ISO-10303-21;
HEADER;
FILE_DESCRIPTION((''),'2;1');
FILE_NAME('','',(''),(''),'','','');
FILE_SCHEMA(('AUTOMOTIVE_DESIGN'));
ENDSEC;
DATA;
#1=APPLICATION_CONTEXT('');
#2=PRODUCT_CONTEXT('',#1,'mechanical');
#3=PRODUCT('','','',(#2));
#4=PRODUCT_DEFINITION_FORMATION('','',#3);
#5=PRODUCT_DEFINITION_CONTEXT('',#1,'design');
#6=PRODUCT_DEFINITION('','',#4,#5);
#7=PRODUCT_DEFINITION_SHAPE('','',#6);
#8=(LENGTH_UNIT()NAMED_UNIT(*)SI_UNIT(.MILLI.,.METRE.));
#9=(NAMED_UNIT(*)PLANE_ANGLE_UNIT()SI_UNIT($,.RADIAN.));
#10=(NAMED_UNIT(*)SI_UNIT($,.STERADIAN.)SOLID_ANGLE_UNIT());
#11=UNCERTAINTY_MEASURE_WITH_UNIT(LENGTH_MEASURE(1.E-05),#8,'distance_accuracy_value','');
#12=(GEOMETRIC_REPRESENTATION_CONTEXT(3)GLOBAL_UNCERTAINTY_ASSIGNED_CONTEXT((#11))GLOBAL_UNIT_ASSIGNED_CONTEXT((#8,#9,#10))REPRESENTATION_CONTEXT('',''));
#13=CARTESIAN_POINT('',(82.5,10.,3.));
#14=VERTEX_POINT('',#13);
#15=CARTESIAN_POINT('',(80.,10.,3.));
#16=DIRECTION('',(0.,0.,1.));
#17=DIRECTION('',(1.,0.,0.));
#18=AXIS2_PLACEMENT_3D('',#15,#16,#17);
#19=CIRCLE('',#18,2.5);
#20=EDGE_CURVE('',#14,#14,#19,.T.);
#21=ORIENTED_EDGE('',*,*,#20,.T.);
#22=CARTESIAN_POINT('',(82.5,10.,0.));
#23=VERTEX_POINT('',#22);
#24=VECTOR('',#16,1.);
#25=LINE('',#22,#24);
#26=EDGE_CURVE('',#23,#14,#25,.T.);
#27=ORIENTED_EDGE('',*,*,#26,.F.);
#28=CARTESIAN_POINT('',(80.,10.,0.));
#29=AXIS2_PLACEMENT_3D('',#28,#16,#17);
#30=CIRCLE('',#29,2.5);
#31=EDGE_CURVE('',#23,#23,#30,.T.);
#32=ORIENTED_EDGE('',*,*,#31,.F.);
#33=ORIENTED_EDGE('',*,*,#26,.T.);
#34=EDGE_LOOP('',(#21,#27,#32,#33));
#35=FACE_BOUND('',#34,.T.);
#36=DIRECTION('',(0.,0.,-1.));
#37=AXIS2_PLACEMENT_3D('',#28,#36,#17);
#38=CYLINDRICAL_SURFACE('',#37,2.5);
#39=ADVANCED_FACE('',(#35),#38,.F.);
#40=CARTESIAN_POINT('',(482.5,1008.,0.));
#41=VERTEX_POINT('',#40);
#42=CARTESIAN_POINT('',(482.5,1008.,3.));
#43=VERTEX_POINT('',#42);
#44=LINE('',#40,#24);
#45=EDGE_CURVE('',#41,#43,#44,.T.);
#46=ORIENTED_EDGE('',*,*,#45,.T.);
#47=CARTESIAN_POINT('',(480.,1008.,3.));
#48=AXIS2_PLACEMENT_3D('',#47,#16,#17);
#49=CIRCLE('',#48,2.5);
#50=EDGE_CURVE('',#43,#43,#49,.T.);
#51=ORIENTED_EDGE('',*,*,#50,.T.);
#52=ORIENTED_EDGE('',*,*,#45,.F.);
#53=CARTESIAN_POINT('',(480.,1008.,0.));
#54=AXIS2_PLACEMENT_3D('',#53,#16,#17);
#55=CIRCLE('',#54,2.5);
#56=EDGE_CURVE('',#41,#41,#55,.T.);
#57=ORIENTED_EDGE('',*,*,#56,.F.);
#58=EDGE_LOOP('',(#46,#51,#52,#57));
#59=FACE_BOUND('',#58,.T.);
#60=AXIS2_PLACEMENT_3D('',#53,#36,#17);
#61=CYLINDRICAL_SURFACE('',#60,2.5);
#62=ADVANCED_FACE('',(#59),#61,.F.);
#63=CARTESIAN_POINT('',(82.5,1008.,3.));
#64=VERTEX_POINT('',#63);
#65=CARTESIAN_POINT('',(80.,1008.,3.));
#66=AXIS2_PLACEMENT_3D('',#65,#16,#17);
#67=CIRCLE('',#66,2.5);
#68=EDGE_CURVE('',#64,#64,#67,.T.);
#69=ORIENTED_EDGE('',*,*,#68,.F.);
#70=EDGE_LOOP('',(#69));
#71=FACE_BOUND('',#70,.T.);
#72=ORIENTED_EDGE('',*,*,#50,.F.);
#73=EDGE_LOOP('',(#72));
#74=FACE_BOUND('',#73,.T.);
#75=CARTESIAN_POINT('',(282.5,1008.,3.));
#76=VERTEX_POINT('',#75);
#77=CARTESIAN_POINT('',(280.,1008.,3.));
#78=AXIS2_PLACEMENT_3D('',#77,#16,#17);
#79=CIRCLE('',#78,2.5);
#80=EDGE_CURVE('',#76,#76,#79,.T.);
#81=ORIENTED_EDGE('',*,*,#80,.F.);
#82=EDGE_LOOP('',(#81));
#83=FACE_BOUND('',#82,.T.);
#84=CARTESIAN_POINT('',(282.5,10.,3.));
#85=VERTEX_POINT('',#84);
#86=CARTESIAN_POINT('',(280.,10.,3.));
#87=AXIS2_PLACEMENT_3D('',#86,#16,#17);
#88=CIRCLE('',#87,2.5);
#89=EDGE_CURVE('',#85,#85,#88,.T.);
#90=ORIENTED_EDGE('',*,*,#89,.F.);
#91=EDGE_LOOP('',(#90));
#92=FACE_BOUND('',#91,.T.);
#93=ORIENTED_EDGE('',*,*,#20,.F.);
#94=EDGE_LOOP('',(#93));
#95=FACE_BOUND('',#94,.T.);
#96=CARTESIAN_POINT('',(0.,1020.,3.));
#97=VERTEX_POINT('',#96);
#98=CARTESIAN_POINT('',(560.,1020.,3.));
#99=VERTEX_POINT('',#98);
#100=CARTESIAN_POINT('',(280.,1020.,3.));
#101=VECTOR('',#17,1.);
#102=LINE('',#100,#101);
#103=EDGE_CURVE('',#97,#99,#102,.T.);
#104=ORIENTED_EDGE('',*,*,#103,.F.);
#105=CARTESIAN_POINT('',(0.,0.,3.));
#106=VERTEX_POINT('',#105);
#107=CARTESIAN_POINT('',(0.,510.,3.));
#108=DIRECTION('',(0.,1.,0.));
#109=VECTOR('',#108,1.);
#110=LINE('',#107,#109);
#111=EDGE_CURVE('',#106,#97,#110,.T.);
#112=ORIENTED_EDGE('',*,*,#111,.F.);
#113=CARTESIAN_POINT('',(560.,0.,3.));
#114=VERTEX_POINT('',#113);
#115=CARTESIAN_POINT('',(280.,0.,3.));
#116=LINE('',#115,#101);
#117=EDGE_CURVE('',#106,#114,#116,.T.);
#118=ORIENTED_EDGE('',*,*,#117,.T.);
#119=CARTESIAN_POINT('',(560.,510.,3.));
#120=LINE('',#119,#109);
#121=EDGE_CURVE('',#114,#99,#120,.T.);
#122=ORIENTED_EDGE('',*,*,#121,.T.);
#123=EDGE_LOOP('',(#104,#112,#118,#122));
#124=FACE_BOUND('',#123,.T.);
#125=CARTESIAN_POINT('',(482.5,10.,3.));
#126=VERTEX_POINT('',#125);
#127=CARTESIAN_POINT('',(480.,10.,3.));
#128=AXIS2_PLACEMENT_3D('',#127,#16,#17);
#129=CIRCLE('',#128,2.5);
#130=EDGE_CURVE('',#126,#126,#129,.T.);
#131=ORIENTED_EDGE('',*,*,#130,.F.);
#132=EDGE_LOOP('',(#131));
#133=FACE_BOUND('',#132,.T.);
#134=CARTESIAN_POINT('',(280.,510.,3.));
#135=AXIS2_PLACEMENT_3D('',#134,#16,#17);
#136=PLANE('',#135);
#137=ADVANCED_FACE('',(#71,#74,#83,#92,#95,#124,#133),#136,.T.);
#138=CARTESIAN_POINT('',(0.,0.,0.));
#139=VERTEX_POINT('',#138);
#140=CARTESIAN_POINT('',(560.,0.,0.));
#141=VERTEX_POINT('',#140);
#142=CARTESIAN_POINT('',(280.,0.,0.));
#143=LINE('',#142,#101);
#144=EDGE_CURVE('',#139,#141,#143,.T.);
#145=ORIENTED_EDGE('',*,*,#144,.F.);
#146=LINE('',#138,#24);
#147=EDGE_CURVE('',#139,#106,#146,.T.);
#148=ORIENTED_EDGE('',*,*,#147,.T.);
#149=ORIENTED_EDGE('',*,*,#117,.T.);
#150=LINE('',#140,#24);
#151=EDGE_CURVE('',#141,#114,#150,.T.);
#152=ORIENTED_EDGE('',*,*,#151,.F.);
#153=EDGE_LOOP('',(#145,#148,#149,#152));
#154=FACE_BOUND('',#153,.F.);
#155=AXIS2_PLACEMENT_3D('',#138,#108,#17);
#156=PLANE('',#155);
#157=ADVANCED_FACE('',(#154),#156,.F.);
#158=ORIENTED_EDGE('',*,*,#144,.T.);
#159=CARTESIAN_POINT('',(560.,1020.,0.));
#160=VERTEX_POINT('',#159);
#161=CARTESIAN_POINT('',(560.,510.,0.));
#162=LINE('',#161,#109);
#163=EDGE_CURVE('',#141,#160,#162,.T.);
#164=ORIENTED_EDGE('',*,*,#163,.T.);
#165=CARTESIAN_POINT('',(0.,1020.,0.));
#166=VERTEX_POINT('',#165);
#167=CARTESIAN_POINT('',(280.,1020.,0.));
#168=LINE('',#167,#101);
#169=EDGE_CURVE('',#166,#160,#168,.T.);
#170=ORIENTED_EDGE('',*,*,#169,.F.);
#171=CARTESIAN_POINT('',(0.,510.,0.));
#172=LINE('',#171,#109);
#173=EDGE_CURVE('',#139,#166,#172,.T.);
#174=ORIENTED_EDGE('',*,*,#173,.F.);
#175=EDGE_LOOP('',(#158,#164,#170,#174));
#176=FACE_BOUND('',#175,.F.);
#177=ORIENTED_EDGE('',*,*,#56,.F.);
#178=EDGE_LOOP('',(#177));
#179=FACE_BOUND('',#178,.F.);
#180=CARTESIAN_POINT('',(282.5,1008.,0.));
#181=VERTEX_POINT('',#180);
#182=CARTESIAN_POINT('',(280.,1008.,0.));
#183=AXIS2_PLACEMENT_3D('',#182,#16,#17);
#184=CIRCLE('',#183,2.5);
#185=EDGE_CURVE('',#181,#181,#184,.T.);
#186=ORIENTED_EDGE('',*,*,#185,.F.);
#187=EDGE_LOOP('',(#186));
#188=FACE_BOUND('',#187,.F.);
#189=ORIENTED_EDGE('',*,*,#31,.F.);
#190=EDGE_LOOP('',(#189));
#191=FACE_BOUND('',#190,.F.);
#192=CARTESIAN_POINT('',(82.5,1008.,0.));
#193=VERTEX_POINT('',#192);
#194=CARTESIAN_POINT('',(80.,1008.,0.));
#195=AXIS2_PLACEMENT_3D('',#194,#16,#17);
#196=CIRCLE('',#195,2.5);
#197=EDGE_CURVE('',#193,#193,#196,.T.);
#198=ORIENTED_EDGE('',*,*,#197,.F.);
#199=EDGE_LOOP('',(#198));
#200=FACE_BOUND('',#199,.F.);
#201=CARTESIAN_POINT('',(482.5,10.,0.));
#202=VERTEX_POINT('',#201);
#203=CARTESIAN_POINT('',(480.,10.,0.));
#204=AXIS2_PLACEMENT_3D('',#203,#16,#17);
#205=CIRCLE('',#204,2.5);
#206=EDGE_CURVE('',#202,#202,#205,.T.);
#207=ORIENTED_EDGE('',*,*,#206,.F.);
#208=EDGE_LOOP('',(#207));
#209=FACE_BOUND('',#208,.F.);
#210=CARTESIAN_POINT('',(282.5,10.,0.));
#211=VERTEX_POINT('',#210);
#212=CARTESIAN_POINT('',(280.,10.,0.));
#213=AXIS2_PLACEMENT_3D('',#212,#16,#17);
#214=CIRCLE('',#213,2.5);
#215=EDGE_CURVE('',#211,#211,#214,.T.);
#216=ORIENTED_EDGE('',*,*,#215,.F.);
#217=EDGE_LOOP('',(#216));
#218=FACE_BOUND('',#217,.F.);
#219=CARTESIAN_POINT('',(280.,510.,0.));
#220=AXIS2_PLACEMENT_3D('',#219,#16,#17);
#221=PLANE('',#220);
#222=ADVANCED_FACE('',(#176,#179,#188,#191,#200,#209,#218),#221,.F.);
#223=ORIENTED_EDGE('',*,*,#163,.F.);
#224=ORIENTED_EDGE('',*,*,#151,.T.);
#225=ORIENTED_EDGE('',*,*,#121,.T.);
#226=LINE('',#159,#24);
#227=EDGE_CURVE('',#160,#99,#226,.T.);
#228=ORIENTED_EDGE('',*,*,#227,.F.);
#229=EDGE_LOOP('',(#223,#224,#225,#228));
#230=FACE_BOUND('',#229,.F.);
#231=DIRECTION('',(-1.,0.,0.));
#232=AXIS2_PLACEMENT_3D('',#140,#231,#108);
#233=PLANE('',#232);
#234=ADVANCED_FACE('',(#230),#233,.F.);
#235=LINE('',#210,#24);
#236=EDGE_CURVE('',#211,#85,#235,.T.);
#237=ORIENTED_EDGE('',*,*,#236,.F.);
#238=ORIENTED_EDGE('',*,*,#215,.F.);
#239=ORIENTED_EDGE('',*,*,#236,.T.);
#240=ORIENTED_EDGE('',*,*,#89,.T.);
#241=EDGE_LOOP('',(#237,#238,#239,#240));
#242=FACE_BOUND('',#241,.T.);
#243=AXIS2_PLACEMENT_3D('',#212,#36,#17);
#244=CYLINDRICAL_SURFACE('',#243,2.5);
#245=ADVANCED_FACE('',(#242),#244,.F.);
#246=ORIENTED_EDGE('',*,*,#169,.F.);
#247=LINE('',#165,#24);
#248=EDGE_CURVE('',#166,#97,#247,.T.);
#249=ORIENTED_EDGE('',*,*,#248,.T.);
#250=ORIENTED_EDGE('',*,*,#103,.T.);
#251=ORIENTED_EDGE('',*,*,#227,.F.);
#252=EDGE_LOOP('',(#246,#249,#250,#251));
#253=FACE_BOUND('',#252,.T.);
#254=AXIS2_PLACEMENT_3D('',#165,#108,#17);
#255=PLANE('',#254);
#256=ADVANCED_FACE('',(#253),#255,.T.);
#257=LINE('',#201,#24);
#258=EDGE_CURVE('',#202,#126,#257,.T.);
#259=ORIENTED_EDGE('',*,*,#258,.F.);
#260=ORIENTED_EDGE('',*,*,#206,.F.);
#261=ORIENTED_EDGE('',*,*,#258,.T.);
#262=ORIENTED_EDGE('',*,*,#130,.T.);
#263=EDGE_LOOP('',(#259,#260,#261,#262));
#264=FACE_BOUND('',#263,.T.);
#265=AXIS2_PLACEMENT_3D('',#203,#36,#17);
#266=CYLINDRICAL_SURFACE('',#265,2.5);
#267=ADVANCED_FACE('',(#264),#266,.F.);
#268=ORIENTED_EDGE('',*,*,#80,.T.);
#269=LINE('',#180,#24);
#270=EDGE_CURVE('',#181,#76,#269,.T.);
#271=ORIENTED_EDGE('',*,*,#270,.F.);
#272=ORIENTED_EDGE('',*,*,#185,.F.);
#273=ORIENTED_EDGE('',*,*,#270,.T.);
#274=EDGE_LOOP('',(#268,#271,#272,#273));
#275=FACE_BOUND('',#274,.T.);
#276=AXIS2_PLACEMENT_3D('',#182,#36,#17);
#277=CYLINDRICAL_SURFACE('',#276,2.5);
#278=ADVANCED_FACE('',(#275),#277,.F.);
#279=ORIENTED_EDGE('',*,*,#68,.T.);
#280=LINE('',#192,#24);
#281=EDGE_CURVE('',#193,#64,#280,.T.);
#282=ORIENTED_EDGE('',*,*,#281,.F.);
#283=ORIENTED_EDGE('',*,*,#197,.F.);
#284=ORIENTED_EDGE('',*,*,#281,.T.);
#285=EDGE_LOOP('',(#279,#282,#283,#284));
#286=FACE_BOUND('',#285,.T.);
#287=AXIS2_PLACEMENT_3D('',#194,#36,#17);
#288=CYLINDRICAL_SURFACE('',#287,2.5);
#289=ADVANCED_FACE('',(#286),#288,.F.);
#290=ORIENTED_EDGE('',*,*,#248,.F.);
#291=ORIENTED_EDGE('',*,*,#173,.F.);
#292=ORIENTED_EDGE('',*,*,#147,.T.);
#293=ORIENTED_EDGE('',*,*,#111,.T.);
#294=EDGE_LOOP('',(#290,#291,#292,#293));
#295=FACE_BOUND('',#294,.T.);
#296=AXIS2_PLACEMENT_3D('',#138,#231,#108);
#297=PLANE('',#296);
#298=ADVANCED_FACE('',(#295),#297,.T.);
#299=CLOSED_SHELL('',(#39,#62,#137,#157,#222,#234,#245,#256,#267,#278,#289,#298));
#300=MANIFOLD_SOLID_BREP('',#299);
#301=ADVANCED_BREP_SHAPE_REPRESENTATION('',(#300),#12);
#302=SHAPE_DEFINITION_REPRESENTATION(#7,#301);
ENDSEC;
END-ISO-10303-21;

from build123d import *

# Parameters (mm, degrees)
SKETCH_W  = 560
SKETCH_H  = 1020
SKETCH_R  = 2.5
PAD_DEPTH = 3


with BuildPart() as part:
    # Sketch → Pad (new body)
    with BuildSketch(Plane.XY):
        with Locations((280, 510)):
            Rectangle(SKETCH_W, SKETCH_H)
        with Locations((80, 1008)):
            Circle(SKETCH_R, mode=Mode.SUBTRACT)
        with Locations((280, 1008)):
            Circle(SKETCH_R, mode=Mode.SUBTRACT)
        with Locations((480, 1008)):
            Circle(SKETCH_R, mode=Mode.SUBTRACT)
        with Locations((80, 10)):
            Circle(SKETCH_R, mode=Mode.SUBTRACT)
        with Locations((280, 10)):
            Circle(SKETCH_R, mode=Mode.SUBTRACT)
        with Locations((480, 10)):
            Circle(SKETCH_R, mode=Mode.SUBTRACT)
    extrude(amount=PAD_DEPTH)


solid = part.part
